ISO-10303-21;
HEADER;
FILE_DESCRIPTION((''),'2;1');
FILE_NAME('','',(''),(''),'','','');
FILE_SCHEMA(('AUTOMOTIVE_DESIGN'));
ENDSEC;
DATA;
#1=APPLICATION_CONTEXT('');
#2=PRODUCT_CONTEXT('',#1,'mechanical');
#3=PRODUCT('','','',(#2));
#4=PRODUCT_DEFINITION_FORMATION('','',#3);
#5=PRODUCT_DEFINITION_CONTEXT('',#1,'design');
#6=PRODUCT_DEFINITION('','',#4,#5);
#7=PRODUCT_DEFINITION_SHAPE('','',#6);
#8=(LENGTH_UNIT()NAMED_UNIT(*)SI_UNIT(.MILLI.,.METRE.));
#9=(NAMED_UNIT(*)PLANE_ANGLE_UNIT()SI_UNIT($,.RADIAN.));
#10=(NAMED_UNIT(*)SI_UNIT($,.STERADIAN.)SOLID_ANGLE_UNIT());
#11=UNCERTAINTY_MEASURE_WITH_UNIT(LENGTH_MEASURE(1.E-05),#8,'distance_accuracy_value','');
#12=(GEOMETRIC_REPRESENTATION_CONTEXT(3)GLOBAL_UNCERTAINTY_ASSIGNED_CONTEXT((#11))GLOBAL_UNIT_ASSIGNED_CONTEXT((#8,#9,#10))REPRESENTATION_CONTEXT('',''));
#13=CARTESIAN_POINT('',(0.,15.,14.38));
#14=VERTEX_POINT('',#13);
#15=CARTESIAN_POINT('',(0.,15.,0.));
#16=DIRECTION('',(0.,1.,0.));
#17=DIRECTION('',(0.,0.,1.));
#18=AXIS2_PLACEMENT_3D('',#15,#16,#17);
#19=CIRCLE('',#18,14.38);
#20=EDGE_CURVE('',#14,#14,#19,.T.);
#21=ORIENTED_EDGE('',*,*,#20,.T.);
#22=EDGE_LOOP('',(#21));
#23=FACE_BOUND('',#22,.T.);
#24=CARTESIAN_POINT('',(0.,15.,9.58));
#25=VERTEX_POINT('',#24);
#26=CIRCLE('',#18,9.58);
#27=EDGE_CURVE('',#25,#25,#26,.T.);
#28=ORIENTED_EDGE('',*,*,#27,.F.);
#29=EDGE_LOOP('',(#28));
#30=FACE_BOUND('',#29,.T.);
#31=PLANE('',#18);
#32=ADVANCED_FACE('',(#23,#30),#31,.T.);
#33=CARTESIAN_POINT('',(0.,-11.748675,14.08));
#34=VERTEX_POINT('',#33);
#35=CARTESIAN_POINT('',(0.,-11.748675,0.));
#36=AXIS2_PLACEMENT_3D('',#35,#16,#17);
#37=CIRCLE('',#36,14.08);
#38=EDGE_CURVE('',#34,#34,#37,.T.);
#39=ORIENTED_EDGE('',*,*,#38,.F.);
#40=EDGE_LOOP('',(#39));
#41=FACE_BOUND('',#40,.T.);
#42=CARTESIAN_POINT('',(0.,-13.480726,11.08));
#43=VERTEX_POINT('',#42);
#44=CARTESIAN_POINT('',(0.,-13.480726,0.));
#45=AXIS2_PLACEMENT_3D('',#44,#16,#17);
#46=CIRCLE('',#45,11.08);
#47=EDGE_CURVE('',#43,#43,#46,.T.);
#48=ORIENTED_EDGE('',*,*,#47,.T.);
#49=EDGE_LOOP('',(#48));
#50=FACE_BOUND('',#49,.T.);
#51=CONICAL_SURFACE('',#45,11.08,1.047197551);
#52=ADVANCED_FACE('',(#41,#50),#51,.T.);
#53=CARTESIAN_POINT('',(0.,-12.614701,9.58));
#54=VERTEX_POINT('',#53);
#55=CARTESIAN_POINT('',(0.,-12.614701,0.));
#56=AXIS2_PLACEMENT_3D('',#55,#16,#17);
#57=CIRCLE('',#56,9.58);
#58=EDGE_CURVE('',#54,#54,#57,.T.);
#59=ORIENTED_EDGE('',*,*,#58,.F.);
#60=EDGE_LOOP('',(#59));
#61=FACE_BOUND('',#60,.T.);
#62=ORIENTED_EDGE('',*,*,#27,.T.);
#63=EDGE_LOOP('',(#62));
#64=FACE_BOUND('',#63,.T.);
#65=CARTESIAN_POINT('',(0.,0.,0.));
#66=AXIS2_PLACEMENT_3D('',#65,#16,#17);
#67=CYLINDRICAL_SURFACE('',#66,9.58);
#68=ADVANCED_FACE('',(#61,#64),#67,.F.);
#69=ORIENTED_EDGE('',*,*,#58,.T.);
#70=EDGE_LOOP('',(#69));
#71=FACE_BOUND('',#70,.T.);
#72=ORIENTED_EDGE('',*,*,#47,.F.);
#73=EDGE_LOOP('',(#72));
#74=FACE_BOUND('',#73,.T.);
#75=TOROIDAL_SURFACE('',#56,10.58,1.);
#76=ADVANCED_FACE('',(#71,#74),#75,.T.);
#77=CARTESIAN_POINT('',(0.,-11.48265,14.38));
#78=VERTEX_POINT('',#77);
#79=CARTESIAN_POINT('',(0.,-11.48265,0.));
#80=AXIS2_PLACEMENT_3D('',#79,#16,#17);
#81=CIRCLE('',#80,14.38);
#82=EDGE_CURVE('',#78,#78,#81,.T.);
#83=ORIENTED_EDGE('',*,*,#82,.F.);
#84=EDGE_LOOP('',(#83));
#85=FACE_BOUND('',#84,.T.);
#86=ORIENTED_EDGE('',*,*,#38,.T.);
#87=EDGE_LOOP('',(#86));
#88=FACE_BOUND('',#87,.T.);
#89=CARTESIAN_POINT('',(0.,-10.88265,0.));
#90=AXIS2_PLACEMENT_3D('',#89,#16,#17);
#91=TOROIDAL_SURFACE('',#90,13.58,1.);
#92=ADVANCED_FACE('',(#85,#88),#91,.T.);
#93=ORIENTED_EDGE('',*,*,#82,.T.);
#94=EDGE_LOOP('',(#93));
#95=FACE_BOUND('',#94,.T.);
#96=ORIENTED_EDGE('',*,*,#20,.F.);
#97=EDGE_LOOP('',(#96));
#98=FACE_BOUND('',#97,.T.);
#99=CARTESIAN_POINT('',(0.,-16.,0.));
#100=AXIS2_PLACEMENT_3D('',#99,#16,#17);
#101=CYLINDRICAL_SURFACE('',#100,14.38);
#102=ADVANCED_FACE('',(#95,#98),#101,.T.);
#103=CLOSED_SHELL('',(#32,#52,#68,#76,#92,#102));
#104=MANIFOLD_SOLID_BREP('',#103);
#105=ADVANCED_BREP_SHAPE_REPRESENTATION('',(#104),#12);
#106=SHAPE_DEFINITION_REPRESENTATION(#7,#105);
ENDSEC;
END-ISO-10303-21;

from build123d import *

# Parameters (mm, degrees)
SKETCH4_R           = 14.58
SKETCH4_R_2         = 9.58
BOSS_EXTRUDE1_DEPTH = 15
SKETCH5_R           = 14.58
SKETCH5_R_2         = 14.38
CUT_EXTRUDE1_DEPTH  = 31


with BuildPart() as part:
    # Sketch2 → Revolve1 (revolve)
    with BuildSketch(Plane.XY):
        with BuildLine():
            Line((9.58, 0), (14.58, 0))
            Line((14.58, 0), (14.58, -10.882649731))
            ThreePointArc((14.58, -10.882649731), (14.446025404, -11.382649731), (14.08, -11.748675135))
            Line((14.08, -11.748675135), (11.08, -13.480725942))
            ThreePointArc((11.08, -13.480725942), (10.08, -13.480725942), (9.58, -12.614700538))
            Line((9.58, -12.614700538), (9.58, 0))
        make_face()
    revolve(axis=Axis((0, 0, 0), (0, -1, 0)))

    # Sketch4 → Boss-Extrude1 (add)
    with BuildSketch(Plane(origin=(0, 0, 0), x_dir=(1, 0, 0), z_dir=(0, 1, 0))):
        Circle(SKETCH4_R)
        Circle(SKETCH4_R_2, mode=Mode.SUBTRACT)
    extrude(amount=BOSS_EXTRUDE1_DEPTH)

    # Sketch5 → Cut-Extrude1 (cut)
    with BuildSketch(Plane(origin=(0, 15, 0), x_dir=(1, 0, 0), z_dir=(0, 1, 0))):
        Circle(SKETCH5_R)
        Circle(SKETCH5_R_2, mode=Mode.SUBTRACT)
    extrude(amount=-CUT_EXTRUDE1_DEPTH, mode=Mode.SUBTRACT)


solid = part.part
